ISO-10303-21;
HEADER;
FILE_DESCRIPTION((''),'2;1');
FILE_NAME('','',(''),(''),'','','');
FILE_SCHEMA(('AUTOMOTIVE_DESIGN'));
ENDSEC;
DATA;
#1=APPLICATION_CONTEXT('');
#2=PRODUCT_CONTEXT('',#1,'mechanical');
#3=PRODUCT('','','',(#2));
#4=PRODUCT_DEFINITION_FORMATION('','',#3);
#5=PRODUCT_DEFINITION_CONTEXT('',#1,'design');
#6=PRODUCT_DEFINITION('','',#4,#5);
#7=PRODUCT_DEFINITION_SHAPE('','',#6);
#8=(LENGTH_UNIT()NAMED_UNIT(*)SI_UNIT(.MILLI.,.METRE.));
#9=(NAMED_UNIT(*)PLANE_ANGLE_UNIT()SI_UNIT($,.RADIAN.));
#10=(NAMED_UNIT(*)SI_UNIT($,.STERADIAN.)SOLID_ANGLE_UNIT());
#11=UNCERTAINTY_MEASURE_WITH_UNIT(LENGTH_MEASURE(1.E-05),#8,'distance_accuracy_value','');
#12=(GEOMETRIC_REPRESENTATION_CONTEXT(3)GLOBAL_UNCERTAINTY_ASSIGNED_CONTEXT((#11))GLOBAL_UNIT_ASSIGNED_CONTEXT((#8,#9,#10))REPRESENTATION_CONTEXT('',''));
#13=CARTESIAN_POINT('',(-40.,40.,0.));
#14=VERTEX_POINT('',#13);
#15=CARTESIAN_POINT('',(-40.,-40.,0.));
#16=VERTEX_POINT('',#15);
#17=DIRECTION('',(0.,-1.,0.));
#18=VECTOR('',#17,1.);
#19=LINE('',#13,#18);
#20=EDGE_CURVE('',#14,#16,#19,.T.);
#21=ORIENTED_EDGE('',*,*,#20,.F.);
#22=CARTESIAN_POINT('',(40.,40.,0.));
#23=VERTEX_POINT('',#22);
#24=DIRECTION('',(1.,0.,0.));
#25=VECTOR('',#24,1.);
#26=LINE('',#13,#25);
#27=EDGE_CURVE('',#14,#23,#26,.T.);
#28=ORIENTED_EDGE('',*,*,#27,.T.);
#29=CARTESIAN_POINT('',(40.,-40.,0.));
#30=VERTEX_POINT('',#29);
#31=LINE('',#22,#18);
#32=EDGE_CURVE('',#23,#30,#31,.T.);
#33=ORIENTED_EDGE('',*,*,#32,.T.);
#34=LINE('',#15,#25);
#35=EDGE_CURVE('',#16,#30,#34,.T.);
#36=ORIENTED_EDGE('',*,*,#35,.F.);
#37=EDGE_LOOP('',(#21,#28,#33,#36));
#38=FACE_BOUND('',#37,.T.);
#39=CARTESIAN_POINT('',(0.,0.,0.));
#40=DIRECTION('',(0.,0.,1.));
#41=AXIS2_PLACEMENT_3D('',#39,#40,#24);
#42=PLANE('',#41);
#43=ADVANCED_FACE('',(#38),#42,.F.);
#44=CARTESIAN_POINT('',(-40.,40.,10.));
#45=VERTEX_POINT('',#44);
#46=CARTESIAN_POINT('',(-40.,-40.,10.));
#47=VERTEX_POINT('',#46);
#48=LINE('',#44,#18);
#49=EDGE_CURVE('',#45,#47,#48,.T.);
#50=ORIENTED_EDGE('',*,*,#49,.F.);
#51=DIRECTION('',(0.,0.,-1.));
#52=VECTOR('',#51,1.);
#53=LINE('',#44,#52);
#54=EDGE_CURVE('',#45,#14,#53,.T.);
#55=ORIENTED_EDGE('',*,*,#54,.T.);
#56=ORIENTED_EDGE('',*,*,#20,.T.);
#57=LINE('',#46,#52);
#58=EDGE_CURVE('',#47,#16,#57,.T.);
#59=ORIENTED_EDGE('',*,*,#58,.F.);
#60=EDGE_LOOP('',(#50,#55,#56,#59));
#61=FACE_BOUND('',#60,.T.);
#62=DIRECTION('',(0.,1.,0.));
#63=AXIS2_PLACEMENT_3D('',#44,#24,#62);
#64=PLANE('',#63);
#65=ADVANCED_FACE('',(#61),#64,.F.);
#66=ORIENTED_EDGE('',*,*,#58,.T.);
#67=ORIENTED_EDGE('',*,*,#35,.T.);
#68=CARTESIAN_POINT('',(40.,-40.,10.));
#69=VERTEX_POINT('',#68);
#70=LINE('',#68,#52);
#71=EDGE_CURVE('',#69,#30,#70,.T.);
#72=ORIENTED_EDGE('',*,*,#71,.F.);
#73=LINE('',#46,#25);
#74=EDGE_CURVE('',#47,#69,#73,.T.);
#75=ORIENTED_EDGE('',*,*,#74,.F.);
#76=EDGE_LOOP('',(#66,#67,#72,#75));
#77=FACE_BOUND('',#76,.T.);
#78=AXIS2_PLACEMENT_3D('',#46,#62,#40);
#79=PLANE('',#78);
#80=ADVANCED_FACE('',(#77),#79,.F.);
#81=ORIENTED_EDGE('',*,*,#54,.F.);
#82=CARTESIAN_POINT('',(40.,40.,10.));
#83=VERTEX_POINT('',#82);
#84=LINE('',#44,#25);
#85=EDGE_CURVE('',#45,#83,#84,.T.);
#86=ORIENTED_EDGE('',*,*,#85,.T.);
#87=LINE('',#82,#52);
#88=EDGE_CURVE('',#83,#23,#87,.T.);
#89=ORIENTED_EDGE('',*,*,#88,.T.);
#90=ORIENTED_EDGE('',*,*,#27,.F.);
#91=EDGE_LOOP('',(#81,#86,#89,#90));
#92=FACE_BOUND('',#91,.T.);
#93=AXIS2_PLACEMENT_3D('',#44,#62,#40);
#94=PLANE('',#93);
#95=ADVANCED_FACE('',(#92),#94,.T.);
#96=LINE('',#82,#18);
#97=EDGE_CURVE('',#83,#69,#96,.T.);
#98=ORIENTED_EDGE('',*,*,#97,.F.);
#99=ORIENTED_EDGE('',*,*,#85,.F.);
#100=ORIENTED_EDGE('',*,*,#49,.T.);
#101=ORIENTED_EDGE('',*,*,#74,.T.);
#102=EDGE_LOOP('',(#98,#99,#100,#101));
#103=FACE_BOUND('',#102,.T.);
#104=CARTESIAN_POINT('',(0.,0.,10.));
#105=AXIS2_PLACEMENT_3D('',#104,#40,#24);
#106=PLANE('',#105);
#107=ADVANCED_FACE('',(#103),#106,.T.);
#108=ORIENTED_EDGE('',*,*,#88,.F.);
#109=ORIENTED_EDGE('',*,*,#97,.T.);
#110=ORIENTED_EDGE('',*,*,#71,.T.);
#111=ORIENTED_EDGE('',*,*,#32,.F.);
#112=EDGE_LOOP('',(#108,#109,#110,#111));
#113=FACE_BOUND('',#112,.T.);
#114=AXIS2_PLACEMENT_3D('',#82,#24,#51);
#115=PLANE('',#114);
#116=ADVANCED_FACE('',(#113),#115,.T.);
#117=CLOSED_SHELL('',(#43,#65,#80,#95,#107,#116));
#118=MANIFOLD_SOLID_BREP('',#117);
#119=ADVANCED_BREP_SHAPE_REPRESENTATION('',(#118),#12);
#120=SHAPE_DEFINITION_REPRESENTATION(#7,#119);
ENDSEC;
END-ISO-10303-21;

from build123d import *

# Parameters (mm, degrees)
SKETCH1_W           = 80
SKETCH1_H           = 80
BOSS_EXTRUDE1_DEPTH = 10


with BuildPart() as part:
    # Sketch1 → Boss-Extrude1 (new body)
    with BuildSketch(Plane.XY):
        Rectangle(SKETCH1_W, SKETCH1_H)
    extrude(amount=BOSS_EXTRUDE1_DEPTH)


solid = part.part
